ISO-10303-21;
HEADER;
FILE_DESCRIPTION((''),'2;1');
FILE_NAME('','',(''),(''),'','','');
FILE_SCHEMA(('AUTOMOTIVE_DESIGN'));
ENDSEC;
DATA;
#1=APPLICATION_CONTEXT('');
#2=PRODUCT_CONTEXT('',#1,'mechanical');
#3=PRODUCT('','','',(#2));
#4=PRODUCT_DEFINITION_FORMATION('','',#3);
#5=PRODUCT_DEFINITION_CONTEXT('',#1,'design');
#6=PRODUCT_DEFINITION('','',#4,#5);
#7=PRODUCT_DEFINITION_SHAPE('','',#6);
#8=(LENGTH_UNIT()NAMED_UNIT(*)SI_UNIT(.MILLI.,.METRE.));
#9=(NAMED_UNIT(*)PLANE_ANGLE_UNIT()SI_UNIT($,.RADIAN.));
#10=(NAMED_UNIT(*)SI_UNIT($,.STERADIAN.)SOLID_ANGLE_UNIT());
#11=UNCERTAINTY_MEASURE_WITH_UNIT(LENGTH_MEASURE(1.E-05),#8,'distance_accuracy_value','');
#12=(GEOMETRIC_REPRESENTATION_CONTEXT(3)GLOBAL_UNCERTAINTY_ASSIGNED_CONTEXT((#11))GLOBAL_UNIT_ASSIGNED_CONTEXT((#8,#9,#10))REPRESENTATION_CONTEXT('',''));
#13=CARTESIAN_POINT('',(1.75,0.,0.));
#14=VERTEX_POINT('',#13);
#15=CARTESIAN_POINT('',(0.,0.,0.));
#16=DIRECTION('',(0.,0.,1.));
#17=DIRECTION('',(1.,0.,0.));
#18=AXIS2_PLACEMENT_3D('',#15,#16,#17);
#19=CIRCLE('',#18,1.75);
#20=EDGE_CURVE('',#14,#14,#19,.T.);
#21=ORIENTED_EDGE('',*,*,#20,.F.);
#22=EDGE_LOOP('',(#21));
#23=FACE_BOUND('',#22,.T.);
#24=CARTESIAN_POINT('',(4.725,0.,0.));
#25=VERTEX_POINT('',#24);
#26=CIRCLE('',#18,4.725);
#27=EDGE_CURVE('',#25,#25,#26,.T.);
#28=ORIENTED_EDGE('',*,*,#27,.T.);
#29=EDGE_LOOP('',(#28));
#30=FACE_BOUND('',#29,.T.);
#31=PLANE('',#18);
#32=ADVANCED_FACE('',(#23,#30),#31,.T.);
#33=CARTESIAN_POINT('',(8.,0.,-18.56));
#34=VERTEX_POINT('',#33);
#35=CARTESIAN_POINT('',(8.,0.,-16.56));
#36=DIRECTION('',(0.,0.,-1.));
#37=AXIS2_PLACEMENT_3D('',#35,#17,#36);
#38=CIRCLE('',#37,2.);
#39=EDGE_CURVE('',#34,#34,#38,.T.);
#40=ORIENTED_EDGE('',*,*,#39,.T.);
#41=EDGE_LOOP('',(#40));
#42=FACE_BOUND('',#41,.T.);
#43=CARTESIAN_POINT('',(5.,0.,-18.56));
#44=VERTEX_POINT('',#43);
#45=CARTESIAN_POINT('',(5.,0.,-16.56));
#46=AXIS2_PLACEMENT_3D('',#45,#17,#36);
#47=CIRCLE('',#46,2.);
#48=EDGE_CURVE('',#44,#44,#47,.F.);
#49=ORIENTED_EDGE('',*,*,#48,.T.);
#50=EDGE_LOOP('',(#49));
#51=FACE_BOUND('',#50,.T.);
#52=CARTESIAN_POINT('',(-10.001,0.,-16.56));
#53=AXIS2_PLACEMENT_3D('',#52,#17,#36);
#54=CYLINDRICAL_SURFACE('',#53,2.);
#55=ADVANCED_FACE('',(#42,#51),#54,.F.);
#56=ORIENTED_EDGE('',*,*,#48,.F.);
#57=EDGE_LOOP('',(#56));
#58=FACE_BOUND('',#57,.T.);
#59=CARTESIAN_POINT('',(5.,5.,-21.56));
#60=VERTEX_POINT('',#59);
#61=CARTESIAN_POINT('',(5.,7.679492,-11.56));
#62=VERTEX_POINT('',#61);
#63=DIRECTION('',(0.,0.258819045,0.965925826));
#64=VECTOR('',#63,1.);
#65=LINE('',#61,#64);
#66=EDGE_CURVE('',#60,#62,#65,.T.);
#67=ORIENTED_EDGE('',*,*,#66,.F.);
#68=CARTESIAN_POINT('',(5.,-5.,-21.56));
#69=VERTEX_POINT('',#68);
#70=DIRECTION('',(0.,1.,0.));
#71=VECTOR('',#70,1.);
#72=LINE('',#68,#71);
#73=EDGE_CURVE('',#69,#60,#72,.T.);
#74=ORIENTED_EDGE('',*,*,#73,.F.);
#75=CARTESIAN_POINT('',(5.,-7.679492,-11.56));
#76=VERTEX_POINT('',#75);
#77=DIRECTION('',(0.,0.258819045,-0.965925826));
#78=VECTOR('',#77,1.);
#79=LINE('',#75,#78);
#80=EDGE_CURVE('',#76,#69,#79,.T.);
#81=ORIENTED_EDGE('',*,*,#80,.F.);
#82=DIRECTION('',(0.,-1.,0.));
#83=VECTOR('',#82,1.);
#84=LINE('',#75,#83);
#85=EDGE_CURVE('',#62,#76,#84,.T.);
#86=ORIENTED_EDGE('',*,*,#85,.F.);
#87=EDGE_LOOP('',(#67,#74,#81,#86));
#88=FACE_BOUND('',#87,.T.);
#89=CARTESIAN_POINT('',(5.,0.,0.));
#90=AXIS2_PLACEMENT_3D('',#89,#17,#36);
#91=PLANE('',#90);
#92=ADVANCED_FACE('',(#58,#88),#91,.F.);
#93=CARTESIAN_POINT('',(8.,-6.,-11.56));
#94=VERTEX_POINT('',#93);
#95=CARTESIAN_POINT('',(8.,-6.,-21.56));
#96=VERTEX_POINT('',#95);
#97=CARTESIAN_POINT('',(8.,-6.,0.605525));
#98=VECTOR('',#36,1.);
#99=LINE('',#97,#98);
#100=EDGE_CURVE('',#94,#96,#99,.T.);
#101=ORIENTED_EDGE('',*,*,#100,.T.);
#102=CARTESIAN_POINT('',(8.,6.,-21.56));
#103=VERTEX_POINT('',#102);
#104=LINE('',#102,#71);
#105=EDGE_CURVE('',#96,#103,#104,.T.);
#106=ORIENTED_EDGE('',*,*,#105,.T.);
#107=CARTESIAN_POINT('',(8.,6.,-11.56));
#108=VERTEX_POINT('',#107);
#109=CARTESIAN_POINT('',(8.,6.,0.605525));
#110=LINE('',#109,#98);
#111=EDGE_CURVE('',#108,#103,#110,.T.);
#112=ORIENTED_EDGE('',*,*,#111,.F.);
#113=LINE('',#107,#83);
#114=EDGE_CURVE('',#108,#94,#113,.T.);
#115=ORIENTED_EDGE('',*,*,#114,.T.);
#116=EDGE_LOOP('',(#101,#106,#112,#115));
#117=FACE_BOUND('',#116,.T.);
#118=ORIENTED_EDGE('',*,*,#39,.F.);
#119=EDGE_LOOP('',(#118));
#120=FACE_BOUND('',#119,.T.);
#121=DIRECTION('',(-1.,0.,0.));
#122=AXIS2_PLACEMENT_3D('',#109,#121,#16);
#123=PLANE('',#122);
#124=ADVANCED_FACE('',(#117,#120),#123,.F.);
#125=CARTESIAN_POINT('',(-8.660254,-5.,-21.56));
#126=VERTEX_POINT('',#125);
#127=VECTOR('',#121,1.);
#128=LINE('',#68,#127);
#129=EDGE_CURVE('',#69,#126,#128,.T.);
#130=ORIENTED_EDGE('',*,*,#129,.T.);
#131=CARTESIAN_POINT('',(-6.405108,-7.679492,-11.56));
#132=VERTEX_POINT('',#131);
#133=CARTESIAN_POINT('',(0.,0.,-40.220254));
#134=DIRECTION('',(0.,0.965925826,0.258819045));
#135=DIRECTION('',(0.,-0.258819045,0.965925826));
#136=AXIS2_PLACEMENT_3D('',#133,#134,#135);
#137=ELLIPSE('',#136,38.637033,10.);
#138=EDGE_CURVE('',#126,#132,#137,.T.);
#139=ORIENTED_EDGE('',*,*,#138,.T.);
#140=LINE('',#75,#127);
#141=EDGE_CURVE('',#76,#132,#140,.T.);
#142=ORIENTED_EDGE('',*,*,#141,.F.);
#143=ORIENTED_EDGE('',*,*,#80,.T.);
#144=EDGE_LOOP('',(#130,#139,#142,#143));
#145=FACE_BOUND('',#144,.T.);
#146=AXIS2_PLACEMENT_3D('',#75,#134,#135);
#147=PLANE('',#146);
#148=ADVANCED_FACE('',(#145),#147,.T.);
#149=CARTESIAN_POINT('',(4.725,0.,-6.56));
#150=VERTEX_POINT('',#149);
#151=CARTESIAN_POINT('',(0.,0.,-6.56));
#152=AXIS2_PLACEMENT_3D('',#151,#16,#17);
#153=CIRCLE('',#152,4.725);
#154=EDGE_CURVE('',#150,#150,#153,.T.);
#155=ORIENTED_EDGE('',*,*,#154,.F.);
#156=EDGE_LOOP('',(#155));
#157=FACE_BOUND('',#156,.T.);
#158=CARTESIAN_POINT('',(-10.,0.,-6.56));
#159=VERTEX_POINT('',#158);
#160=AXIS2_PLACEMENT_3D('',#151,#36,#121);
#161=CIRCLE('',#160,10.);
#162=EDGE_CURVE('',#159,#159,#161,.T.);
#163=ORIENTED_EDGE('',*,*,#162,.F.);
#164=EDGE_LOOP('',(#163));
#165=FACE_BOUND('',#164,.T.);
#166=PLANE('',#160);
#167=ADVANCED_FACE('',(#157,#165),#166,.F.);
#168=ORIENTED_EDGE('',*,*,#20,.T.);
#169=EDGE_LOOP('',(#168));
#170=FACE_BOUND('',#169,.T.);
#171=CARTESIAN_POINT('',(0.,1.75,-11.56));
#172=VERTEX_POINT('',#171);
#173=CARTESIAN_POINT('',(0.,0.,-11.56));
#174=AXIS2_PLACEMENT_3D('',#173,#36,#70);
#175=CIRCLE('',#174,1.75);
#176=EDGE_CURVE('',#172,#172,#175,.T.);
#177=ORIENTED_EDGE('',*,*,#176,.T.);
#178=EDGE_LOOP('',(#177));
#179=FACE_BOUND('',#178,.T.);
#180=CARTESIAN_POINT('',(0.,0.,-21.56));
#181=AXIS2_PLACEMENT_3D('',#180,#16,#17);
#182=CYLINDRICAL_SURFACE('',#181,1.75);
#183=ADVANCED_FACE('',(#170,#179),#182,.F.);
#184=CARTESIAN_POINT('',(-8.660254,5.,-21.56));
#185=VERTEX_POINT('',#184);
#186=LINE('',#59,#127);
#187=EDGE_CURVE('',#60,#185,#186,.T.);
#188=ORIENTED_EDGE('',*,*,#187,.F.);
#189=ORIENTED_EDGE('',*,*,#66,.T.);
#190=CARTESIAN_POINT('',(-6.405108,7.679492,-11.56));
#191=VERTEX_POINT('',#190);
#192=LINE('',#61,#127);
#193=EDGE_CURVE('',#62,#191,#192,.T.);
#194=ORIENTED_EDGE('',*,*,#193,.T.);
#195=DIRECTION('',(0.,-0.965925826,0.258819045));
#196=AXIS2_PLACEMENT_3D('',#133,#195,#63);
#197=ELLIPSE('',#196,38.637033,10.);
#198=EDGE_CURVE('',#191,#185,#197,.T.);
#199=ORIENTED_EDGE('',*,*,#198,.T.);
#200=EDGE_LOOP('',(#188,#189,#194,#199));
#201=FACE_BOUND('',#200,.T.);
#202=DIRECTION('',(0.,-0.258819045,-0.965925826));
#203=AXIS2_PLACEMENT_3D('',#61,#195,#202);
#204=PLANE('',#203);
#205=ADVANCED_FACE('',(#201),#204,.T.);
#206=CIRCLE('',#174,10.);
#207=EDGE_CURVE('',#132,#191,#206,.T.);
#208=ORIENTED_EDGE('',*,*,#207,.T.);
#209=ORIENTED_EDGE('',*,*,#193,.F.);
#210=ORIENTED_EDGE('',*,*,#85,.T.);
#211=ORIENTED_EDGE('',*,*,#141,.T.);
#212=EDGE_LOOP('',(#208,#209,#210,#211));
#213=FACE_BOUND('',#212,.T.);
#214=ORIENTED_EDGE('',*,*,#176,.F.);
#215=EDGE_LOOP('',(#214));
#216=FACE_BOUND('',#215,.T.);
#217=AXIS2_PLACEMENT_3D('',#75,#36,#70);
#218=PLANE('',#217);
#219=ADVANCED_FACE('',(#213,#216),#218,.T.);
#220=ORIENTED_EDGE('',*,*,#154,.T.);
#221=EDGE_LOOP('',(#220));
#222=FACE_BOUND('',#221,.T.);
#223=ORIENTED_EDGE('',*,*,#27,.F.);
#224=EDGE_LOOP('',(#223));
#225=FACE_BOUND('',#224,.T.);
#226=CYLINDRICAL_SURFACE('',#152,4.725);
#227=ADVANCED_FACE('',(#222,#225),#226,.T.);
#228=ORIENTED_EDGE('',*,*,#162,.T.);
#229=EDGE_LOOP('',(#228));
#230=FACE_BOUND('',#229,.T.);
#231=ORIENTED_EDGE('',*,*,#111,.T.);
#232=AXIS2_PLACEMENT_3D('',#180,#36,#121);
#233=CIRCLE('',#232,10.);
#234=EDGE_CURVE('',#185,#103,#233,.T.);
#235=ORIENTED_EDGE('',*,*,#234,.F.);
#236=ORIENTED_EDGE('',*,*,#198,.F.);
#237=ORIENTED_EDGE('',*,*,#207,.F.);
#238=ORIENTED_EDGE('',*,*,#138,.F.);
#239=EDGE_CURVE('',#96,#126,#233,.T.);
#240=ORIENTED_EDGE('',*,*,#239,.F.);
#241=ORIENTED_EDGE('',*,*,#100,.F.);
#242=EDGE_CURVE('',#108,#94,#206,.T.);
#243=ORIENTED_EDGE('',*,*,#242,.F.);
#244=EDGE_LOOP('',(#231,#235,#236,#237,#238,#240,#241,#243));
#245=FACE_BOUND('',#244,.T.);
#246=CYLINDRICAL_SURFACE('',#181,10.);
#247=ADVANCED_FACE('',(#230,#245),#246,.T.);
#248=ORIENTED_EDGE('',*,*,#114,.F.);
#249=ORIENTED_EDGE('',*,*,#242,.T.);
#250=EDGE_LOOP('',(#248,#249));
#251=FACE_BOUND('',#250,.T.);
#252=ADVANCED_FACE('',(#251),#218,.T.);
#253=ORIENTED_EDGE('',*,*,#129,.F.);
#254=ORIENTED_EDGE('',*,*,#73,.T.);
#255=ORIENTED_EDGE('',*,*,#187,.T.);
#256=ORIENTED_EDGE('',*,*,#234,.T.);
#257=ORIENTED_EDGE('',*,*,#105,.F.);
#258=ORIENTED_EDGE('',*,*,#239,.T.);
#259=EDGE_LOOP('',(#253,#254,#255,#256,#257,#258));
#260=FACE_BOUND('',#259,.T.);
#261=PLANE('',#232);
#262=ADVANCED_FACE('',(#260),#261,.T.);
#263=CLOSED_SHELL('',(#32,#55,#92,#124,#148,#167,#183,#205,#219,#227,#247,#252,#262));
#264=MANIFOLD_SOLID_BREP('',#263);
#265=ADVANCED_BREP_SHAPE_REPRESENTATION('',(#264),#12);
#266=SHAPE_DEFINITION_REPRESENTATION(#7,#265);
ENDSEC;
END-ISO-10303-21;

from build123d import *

# Parameters (mm, degrees)
SKETCH1_R               = 4.725
BOSS_EXTRUDE1_DEPTH     = 6.56
SKETCH5_R               = 10
BOSS_EXTRUDE3_DEPTH     = 15
CUT_EXTRUDE1_DEPTH      = 5
CUT_EXTRUDE1_DEPTH_BACK = 15
SKETCH4_W               = 2
SKETCH4_H               = 12
CUT_EXTRUDE2_DEPTH      = 10
CUT_EXTRUDE3_REACH      = 31.813
SKETCH6_R               = 2
SKETCH7_R               = 1.75
CUT_EXTRUDE4_DEPTH      = 26.784367357


with BuildPart() as part:
    # Sketch1 → Boss-Extrude1 (new body)
    with BuildSketch(Plane.XY):
        Circle(SKETCH1_R)
    extrude(amount=-BOSS_EXTRUDE1_DEPTH)

    # Sketch5 → Boss-Extrude3 (add)
    with BuildSketch(Plane(origin=(0, 0, -6.56), x_dir=(-1, 0, 0), z_dir=(0, 0, -1))):
        Circle(SKETCH5_R)
    extrude(amount=BOSS_EXTRUDE3_DEPTH)

    # Sketch3 → Cut-Extrude1 (cut, two sides: drawn at the far end of the back side and taken through both)
    with BuildSketch(Plane(origin=(0, 0, 0), x_dir=(0, 0, -1), z_dir=(1, 0, 0)).offset(-CUT_EXTRUDE1_DEPTH_BACK)):
        Polygon((21.56, -5), (21.56, 5), (11.56, 7.679491924), (11.56, -7.679491924), align=None)
    extrude(amount=CUT_EXTRUDE1_DEPTH + CUT_EXTRUDE1_DEPTH_BACK, mode=Mode.SUBTRACT)

    # Sketch4 → Cut-Extrude2 (cut)
    with BuildSketch(Plane(origin=(0, 0, -21.56), x_dir=(-1, 0, 0), z_dir=(0, 0, -1))):
        with Locations((-9, 0)):
            Rectangle(SKETCH4_W, SKETCH4_H)
    extrude(amount=-CUT_EXTRUDE2_DEPTH, mode=Mode.SUBTRACT)

    # Sketch6 → Cut-Extrude3 (cut, up to next)
    with BuildSketch(Plane(origin=(8, 0, 0), x_dir=(0, 0, -1), z_dir=(1, 0, 0)), mode=Mode.PRIVATE) as cut_extrude3_sk1:
        with Locations((16.56, 0)):
            Circle(SKETCH6_R)
    cut_extrude3_tool1 = extrude(cut_extrude3_sk1.sketch, amount=-CUT_EXTRUDE3_REACH, mode=Mode.PRIVATE) & part.part
    add(cut_extrude3_tool1.solids().sort_by_distance((8, 0, -16.56))[0], mode=Mode.SUBTRACT)

    # Sketch7 → Cut-Extrude4 (cut, through all)
    with BuildSketch(Plane.XY):
        Circle(SKETCH7_R)
    extrude(amount=-CUT_EXTRUDE4_DEPTH, mode=Mode.SUBTRACT)


solid = part.part
